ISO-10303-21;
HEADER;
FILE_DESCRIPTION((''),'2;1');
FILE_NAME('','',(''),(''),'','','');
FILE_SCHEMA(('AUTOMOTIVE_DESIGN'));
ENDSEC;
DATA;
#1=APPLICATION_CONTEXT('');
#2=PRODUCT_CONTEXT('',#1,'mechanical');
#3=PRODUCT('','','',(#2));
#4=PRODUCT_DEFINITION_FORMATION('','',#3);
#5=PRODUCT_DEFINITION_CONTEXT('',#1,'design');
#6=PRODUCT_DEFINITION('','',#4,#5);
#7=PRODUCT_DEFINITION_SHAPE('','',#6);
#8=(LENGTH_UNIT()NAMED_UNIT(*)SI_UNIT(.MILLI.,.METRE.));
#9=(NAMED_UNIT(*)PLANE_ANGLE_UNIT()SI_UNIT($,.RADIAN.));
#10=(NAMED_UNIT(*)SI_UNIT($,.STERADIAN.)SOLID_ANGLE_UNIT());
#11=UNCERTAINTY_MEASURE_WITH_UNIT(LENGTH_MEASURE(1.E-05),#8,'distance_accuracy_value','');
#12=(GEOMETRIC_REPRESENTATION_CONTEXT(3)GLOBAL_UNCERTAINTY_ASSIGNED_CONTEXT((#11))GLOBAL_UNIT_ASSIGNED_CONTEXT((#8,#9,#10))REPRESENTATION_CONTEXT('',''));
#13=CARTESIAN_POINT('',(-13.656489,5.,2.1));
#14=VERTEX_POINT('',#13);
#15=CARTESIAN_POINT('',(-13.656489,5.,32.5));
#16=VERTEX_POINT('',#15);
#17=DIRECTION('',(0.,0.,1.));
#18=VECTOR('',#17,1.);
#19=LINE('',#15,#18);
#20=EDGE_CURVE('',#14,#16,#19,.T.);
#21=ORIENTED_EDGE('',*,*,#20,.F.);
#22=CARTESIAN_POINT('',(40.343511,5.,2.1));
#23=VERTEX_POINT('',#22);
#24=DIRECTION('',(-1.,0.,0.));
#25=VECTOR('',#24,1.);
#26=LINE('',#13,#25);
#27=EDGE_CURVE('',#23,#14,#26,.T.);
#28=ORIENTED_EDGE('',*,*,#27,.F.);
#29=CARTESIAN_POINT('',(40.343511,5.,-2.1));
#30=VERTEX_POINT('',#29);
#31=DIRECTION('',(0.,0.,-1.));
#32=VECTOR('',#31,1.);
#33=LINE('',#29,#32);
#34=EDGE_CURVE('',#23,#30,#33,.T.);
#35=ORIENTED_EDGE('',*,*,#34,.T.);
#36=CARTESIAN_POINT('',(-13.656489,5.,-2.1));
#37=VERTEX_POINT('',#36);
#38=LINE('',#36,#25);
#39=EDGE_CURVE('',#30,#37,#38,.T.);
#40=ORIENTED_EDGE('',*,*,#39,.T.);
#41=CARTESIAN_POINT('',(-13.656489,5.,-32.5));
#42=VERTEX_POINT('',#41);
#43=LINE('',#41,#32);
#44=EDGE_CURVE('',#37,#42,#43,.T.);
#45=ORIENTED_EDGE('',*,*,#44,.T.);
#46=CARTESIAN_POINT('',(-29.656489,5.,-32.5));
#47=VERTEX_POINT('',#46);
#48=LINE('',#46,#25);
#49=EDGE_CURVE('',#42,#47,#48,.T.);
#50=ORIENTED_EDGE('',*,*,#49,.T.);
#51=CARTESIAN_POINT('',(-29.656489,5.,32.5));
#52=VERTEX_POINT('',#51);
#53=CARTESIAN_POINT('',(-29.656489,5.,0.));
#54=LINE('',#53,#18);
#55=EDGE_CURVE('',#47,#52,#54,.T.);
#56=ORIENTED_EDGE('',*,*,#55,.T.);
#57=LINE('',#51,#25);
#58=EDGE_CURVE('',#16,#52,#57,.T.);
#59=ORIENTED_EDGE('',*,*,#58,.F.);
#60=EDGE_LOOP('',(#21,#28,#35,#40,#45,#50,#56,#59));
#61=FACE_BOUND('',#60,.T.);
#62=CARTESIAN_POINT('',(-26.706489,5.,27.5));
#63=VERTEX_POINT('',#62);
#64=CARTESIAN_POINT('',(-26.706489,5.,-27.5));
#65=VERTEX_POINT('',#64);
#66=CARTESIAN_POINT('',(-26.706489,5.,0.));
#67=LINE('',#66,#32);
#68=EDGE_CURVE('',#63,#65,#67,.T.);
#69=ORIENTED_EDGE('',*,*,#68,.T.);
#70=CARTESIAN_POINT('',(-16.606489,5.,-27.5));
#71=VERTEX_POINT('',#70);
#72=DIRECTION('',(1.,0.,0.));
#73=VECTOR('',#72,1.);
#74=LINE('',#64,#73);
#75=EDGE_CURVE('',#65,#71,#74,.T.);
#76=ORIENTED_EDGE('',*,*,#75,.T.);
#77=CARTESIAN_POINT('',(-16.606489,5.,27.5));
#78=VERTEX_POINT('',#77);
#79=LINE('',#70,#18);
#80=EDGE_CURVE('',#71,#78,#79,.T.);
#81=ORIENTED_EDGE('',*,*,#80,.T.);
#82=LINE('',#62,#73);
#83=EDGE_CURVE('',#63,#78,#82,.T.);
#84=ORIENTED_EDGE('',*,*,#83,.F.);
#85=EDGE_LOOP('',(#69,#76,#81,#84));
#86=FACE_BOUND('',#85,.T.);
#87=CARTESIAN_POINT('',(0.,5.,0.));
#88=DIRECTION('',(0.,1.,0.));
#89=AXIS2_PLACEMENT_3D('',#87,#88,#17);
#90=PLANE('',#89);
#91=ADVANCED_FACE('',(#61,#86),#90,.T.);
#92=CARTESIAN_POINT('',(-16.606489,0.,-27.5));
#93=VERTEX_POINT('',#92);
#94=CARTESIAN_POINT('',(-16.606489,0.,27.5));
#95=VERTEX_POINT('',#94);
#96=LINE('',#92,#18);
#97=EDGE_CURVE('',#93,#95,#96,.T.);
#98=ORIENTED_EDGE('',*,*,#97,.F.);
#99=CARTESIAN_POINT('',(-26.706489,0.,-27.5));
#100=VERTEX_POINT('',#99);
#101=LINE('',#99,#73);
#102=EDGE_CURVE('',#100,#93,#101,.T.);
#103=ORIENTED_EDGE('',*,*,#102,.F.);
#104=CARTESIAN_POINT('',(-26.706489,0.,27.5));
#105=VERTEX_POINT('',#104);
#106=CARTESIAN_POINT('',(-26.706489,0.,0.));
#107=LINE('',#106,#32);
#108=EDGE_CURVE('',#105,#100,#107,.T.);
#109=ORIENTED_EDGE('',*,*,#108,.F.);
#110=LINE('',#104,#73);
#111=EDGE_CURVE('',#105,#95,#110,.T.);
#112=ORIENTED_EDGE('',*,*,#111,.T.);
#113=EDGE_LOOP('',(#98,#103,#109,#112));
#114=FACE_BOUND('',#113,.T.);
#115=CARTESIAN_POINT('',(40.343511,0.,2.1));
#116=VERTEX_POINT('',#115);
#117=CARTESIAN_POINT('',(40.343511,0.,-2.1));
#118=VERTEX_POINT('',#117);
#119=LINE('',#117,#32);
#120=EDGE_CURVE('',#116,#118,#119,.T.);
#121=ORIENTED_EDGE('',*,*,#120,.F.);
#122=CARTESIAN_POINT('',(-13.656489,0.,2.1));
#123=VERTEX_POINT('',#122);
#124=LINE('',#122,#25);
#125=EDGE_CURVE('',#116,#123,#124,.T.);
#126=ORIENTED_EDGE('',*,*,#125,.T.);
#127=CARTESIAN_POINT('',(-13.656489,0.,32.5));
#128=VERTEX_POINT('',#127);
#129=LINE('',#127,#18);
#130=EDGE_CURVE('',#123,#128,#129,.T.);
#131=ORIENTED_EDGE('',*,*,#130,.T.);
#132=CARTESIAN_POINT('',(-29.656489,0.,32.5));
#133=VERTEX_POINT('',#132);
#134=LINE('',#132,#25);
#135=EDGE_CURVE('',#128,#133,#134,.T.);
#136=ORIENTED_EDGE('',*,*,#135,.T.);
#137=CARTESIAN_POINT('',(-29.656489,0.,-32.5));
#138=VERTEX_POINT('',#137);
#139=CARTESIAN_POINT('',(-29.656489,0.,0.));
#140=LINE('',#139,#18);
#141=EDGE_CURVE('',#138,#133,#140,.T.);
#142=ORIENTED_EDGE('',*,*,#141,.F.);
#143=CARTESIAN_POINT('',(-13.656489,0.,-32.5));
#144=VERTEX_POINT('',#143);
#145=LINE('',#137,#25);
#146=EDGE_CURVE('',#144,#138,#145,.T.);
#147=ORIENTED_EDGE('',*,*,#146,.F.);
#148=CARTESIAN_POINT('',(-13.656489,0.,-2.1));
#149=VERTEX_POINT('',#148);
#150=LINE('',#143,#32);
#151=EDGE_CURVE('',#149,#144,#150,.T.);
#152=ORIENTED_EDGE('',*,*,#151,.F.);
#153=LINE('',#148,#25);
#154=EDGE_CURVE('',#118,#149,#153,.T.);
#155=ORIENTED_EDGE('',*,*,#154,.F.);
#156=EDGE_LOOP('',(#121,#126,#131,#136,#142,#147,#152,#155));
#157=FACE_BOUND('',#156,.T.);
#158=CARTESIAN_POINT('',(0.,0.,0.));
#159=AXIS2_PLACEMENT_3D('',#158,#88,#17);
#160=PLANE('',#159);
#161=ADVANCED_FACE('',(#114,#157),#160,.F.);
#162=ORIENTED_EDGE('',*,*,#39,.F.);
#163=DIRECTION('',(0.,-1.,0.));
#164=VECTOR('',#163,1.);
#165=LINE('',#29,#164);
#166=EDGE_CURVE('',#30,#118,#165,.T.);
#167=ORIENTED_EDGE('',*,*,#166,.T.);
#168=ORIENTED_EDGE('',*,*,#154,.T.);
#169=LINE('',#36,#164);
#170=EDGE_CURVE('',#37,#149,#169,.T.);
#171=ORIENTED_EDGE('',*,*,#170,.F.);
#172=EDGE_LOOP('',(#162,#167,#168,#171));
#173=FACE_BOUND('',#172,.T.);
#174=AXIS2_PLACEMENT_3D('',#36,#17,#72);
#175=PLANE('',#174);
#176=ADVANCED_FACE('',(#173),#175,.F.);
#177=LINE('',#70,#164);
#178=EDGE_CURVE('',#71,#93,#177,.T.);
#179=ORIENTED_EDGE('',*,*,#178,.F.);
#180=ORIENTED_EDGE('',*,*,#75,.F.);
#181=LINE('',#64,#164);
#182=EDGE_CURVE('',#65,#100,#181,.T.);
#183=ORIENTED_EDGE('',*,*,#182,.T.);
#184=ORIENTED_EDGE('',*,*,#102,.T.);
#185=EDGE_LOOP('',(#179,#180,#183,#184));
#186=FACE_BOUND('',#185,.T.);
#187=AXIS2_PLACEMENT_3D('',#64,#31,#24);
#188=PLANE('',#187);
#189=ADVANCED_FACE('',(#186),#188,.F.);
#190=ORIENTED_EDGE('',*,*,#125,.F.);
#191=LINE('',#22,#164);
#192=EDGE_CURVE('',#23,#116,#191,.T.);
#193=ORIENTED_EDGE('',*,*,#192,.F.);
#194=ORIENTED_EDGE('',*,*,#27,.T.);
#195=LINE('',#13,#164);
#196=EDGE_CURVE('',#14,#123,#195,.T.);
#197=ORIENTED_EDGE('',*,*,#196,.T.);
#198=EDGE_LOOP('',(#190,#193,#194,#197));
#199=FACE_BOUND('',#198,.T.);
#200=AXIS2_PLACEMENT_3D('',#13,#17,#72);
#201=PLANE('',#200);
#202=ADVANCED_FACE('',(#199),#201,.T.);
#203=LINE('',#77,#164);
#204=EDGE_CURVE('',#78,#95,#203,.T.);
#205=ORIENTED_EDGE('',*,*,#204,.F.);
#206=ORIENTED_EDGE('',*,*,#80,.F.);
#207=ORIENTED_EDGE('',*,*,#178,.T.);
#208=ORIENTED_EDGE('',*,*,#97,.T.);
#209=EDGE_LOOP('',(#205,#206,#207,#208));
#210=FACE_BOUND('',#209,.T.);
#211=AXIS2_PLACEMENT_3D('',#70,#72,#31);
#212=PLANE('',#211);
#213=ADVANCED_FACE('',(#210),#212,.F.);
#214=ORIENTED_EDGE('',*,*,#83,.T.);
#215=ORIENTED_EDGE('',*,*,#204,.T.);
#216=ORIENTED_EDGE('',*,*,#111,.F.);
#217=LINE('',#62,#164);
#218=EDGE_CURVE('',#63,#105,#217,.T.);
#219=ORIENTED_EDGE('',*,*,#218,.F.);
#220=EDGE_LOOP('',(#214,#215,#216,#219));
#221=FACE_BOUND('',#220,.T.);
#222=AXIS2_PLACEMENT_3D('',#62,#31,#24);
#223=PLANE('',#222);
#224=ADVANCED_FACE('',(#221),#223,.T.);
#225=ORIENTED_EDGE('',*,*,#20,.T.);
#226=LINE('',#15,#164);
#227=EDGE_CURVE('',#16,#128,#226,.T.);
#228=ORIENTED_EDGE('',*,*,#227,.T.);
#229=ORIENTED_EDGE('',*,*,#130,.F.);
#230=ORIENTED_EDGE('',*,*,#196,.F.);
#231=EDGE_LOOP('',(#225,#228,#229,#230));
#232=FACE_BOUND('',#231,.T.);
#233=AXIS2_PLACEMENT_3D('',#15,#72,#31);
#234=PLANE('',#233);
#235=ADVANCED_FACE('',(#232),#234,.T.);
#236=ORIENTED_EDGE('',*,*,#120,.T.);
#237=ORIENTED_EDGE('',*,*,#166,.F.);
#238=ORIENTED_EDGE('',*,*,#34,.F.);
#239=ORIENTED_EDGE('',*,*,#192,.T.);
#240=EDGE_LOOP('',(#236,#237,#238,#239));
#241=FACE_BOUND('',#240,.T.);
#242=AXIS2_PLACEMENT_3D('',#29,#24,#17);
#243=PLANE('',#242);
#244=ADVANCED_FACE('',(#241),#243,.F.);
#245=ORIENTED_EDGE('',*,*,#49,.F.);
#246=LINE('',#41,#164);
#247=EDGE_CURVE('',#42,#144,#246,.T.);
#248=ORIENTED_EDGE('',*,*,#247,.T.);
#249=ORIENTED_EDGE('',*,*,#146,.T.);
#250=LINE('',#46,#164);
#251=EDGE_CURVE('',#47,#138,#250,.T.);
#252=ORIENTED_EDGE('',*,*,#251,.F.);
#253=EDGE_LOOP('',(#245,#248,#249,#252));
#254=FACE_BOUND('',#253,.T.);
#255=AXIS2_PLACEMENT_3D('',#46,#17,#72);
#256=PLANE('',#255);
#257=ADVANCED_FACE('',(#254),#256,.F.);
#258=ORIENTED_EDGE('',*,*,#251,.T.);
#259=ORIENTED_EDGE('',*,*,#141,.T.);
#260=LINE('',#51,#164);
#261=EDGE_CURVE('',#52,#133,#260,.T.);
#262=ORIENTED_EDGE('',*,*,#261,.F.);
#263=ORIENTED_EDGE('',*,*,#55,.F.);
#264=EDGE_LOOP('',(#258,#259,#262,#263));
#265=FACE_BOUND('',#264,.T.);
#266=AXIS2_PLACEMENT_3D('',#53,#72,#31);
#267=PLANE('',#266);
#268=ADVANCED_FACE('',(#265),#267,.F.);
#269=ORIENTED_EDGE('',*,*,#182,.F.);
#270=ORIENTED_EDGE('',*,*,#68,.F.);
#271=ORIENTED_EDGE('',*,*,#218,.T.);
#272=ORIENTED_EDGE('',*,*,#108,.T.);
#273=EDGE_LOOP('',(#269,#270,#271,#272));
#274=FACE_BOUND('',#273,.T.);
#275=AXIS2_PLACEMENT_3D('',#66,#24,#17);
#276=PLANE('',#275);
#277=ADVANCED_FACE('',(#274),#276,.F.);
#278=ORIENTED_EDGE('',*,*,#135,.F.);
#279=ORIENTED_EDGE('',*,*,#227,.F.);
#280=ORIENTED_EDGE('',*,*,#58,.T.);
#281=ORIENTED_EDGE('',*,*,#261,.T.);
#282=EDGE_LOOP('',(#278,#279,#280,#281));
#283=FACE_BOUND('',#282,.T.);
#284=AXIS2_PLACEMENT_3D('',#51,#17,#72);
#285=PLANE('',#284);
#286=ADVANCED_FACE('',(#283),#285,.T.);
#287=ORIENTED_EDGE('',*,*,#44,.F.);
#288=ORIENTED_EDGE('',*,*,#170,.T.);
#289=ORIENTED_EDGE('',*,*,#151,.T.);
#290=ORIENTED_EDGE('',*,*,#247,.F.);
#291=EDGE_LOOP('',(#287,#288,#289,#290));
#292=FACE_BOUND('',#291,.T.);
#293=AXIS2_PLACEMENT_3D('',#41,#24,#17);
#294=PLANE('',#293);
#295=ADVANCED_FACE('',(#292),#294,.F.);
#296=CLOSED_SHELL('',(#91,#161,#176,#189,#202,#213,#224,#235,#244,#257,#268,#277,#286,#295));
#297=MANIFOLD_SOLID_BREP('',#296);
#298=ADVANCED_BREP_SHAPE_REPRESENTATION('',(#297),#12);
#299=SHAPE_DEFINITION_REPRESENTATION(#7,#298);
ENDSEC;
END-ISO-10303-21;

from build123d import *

# Parameters (mm, degrees)
EXTRUDE_1_DEPTH = 5


with BuildPart() as part:
    # 草圖1 → 填料-伸長1 (new body)
    with BuildSketch(Plane(origin=(0, 0, 0), x_dir=(1, 0, 0), z_dir=(0, 1, 0))):
        Polygon((-29.65648855, 0), (-29.65648855, 32.5), (-13.65648855, 32.5), (-13.65648855, 2.1), (40.34351145, 2.1), (40.34351145, 0), (-16.60648855, 0), (-16.60648855, 27.5), (-26.70648855, 27.5), (-26.70648855, 0), align=None)
    extrude_1 = extrude(amount=EXTRUDE_1_DEPTH)

    # 鏡射1: 填料-伸長1 across plane
    add(extrude_1.mirror(Plane(origin=(-16.60648855, 5, 0), x_dir=(1, 0, 0), z_dir=(0, 0, -1))))


solid = part.part
